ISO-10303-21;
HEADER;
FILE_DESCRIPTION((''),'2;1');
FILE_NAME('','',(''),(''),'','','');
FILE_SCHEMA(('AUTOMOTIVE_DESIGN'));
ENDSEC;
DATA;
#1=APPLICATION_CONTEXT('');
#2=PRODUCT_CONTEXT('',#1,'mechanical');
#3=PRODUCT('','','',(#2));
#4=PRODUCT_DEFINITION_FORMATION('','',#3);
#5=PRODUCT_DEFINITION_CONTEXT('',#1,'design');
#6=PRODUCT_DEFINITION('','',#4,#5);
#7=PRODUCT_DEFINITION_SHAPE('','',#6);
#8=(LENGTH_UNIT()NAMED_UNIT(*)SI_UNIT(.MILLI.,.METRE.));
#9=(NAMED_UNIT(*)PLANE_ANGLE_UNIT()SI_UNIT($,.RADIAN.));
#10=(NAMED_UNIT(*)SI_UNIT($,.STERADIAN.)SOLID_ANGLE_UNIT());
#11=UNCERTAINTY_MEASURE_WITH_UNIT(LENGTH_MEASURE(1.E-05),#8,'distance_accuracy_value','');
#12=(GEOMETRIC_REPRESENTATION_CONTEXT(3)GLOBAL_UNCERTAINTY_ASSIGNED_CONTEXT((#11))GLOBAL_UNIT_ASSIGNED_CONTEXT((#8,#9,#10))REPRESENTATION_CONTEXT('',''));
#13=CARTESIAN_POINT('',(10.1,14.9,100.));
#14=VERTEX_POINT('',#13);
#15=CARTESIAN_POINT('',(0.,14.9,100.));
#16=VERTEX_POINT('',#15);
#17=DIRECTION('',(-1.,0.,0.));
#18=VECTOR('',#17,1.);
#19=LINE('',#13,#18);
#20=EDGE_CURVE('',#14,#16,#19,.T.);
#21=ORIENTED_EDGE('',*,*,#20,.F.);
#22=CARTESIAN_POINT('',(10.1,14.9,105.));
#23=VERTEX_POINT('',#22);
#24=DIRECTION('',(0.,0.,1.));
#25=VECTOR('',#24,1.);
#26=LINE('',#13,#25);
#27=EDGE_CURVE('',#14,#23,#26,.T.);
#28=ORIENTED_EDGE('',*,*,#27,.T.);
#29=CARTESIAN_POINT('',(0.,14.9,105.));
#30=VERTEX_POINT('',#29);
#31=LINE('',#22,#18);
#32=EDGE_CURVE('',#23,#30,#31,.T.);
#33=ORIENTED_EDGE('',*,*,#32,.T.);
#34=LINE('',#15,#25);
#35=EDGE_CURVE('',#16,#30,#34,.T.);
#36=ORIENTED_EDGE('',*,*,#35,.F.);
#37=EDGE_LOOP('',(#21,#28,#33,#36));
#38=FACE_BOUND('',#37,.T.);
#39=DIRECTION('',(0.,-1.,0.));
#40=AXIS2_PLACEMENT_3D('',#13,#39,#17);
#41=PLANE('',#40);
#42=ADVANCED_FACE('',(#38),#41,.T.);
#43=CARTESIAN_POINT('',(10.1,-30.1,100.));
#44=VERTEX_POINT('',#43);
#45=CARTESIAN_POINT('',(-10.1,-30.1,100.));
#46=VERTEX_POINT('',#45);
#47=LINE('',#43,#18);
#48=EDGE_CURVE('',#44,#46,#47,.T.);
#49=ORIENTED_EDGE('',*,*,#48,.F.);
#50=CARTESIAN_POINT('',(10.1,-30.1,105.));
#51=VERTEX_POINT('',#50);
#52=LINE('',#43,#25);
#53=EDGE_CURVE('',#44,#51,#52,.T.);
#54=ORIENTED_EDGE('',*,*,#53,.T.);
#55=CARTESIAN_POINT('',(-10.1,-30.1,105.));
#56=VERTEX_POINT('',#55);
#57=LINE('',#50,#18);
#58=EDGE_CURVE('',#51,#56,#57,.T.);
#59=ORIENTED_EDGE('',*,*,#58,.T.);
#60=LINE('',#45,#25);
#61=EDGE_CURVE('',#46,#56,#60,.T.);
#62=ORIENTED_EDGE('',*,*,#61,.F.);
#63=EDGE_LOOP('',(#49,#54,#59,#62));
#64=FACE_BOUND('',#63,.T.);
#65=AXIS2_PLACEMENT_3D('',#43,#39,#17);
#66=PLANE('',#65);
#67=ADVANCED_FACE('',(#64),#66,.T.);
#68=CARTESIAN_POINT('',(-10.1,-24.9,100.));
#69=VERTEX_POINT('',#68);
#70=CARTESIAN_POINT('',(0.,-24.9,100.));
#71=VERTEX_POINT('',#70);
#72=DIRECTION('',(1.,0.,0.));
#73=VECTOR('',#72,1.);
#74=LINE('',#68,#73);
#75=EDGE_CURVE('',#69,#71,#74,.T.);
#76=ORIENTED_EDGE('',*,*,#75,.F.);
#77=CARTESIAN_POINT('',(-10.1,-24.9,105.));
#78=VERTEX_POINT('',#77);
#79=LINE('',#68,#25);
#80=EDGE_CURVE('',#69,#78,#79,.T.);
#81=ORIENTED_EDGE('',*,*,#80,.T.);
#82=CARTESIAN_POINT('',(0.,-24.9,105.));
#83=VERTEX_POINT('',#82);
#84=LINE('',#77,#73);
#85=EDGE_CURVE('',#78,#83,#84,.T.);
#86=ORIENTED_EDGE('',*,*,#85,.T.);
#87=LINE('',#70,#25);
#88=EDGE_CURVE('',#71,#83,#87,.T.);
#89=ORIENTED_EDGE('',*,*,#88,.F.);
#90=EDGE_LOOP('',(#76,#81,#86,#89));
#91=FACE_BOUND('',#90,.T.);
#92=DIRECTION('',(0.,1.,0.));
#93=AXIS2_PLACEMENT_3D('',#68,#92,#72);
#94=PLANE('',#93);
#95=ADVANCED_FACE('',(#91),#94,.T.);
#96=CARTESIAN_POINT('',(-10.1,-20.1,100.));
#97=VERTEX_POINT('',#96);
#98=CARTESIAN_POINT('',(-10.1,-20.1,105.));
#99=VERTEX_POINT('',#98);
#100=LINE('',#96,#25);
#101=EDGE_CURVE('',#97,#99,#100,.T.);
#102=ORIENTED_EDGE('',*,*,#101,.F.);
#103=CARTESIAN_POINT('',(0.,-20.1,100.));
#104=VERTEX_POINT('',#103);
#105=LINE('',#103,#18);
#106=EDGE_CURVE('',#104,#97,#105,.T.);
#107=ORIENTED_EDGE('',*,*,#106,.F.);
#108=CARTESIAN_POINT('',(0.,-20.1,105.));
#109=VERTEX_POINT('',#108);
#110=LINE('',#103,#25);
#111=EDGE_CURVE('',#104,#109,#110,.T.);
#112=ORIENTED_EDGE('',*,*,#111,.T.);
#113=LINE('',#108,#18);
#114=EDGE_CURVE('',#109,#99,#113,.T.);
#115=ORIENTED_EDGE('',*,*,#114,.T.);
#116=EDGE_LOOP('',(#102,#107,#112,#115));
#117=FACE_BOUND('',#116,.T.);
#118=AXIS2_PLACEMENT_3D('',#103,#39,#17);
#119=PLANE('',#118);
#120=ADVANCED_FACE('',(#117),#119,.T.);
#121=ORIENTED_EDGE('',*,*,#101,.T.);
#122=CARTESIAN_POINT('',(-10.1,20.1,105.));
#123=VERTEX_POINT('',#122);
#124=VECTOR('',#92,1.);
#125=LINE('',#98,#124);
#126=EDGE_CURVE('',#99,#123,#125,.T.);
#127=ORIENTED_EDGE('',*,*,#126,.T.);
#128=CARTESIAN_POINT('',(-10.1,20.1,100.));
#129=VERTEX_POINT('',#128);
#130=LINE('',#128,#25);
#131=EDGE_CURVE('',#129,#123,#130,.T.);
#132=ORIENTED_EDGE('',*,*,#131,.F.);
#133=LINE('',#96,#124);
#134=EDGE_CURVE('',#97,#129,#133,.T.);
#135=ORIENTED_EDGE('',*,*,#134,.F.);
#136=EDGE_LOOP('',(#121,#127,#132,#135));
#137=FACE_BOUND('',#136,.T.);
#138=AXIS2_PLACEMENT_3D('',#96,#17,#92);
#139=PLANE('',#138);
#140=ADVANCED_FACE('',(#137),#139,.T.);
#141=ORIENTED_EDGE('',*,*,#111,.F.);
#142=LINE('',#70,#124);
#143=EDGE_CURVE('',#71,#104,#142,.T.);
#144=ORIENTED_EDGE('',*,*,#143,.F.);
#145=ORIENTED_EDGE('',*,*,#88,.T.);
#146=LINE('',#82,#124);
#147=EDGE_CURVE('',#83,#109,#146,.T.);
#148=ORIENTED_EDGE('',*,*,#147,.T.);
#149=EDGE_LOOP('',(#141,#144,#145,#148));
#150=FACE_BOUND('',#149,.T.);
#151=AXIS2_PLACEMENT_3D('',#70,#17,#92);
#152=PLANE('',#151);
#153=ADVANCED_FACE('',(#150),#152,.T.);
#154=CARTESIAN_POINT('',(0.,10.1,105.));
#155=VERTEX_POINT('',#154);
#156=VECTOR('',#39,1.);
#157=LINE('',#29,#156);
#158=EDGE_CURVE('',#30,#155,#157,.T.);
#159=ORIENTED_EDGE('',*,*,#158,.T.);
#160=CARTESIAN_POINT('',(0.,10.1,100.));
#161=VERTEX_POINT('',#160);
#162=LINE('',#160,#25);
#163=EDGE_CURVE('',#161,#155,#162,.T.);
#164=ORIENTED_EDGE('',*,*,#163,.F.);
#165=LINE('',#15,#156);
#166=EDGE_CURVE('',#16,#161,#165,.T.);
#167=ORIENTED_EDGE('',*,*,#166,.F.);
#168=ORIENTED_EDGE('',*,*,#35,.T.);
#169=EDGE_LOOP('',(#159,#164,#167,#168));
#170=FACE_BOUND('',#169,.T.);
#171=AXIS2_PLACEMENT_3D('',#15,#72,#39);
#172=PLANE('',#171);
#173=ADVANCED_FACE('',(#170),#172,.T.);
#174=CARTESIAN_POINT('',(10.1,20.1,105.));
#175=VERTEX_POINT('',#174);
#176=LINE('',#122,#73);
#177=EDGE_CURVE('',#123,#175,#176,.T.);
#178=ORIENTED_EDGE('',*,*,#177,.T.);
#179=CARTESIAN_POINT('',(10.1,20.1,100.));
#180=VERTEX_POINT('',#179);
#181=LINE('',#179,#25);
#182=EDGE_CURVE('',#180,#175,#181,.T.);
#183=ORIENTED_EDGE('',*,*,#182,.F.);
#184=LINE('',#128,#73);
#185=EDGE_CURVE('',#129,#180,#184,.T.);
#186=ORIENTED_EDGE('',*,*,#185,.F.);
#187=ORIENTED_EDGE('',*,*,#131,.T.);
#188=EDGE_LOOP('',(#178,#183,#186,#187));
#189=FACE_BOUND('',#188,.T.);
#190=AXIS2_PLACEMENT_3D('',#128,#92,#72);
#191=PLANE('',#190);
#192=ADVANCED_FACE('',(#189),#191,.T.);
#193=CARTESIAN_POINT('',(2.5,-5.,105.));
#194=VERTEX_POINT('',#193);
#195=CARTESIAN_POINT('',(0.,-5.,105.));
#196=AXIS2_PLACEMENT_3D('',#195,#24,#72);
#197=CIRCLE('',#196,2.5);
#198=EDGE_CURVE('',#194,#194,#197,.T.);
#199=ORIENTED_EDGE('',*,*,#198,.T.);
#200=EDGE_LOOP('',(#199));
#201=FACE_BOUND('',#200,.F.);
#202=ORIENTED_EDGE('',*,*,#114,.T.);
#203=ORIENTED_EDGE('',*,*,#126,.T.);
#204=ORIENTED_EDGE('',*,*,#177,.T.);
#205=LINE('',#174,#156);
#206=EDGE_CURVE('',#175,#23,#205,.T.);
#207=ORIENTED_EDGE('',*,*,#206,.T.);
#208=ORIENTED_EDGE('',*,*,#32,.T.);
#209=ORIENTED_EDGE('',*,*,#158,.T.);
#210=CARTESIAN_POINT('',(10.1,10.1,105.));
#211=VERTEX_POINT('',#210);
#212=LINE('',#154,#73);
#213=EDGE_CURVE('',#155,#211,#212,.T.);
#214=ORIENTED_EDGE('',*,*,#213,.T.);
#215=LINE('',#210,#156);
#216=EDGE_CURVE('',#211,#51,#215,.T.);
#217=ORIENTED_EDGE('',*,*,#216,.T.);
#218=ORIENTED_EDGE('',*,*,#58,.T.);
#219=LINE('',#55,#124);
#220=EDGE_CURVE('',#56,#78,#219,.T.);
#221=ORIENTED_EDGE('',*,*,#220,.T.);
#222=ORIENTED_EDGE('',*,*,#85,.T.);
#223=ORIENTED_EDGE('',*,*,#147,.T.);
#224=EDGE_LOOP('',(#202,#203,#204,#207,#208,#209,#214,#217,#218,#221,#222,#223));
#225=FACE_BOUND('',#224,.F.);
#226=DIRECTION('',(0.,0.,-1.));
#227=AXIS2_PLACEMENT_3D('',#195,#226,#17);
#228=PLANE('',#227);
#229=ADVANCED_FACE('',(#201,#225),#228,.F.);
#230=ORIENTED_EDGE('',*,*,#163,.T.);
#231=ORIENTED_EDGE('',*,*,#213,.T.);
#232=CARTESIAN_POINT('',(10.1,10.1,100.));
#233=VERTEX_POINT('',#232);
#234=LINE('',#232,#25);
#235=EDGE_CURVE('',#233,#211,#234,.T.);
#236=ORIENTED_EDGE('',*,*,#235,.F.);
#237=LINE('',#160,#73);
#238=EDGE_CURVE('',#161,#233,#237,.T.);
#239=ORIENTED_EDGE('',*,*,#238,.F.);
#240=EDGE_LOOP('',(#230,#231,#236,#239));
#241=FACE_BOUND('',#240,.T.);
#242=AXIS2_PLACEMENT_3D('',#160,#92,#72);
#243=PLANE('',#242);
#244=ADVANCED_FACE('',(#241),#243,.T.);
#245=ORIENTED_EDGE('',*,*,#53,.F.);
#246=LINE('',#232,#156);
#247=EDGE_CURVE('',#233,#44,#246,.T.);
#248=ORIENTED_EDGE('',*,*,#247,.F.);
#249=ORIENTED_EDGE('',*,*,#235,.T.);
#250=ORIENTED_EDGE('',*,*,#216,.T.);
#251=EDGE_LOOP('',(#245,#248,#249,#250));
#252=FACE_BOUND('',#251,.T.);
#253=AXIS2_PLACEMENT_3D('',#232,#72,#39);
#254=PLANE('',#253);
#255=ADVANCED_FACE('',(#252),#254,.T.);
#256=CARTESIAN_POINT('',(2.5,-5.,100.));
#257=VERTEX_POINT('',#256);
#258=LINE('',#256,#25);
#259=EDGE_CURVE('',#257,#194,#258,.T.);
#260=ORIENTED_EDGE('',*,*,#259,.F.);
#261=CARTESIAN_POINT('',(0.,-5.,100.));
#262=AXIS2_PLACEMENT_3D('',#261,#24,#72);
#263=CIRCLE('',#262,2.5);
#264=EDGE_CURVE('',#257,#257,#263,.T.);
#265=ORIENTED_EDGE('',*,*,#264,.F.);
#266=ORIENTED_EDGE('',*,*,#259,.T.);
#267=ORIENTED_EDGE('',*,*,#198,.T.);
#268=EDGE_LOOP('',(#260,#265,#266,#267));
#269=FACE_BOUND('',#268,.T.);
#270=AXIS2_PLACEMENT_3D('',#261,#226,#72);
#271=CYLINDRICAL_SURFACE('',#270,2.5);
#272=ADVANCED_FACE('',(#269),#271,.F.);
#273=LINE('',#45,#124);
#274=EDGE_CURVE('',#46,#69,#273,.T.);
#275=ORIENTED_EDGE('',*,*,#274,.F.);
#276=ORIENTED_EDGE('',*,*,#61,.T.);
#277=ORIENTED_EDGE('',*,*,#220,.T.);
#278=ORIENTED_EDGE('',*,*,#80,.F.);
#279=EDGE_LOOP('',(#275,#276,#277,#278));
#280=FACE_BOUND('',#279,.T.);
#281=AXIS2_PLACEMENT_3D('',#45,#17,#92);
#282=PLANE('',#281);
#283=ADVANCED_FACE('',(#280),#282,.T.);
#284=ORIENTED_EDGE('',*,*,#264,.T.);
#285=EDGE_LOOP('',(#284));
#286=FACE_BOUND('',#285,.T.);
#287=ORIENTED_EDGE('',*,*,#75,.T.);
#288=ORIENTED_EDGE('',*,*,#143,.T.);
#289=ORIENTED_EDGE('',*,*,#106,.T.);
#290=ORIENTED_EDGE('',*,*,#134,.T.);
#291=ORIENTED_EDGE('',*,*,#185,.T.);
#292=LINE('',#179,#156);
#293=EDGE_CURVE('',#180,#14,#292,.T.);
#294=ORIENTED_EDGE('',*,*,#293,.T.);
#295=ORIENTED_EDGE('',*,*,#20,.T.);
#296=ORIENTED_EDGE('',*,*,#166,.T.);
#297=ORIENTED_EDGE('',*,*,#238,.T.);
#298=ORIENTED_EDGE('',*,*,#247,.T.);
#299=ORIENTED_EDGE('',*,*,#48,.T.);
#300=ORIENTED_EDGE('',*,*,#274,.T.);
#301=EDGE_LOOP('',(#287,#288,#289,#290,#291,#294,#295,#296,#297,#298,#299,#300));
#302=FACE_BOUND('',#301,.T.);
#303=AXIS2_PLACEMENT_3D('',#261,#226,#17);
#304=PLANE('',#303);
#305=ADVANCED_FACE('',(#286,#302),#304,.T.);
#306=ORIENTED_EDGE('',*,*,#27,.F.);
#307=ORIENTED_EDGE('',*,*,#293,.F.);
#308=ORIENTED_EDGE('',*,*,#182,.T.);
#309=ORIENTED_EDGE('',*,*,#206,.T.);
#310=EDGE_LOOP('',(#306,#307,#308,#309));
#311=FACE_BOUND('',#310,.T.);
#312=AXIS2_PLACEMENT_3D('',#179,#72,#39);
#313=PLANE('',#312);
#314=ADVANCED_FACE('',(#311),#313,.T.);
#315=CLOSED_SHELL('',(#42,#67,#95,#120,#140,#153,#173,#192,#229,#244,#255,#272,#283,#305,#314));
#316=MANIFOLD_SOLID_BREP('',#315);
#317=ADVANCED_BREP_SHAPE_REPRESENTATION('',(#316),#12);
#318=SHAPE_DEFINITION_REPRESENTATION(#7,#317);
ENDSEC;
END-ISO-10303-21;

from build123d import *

# Parameters (mm, degrees)
SKETCH012_R = 2.5
PAD_DEPTH   = 5


with BuildPart() as part:
    # Sketch012 → Pad (new body)
    with BuildSketch(Plane(origin=(0, -5, 100), x_dir=(1, 0, 0), z_dir=(0, 0, 1))):
        Polygon((-10.1, 25.1), (10.1, 25.1), (10.1, 19.9), (0, 19.9), (0, 15.1), (10.1, 15.1), (10.1, -25.1), (-10.1, -25.1), (-10.1, -19.9), (0, -19.9), (0, -15.1), (-10.1, -15.1), align=None)
        Circle(SKETCH012_R, mode=Mode.SUBTRACT)
    extrude(amount=PAD_DEPTH)


solid = part.part
